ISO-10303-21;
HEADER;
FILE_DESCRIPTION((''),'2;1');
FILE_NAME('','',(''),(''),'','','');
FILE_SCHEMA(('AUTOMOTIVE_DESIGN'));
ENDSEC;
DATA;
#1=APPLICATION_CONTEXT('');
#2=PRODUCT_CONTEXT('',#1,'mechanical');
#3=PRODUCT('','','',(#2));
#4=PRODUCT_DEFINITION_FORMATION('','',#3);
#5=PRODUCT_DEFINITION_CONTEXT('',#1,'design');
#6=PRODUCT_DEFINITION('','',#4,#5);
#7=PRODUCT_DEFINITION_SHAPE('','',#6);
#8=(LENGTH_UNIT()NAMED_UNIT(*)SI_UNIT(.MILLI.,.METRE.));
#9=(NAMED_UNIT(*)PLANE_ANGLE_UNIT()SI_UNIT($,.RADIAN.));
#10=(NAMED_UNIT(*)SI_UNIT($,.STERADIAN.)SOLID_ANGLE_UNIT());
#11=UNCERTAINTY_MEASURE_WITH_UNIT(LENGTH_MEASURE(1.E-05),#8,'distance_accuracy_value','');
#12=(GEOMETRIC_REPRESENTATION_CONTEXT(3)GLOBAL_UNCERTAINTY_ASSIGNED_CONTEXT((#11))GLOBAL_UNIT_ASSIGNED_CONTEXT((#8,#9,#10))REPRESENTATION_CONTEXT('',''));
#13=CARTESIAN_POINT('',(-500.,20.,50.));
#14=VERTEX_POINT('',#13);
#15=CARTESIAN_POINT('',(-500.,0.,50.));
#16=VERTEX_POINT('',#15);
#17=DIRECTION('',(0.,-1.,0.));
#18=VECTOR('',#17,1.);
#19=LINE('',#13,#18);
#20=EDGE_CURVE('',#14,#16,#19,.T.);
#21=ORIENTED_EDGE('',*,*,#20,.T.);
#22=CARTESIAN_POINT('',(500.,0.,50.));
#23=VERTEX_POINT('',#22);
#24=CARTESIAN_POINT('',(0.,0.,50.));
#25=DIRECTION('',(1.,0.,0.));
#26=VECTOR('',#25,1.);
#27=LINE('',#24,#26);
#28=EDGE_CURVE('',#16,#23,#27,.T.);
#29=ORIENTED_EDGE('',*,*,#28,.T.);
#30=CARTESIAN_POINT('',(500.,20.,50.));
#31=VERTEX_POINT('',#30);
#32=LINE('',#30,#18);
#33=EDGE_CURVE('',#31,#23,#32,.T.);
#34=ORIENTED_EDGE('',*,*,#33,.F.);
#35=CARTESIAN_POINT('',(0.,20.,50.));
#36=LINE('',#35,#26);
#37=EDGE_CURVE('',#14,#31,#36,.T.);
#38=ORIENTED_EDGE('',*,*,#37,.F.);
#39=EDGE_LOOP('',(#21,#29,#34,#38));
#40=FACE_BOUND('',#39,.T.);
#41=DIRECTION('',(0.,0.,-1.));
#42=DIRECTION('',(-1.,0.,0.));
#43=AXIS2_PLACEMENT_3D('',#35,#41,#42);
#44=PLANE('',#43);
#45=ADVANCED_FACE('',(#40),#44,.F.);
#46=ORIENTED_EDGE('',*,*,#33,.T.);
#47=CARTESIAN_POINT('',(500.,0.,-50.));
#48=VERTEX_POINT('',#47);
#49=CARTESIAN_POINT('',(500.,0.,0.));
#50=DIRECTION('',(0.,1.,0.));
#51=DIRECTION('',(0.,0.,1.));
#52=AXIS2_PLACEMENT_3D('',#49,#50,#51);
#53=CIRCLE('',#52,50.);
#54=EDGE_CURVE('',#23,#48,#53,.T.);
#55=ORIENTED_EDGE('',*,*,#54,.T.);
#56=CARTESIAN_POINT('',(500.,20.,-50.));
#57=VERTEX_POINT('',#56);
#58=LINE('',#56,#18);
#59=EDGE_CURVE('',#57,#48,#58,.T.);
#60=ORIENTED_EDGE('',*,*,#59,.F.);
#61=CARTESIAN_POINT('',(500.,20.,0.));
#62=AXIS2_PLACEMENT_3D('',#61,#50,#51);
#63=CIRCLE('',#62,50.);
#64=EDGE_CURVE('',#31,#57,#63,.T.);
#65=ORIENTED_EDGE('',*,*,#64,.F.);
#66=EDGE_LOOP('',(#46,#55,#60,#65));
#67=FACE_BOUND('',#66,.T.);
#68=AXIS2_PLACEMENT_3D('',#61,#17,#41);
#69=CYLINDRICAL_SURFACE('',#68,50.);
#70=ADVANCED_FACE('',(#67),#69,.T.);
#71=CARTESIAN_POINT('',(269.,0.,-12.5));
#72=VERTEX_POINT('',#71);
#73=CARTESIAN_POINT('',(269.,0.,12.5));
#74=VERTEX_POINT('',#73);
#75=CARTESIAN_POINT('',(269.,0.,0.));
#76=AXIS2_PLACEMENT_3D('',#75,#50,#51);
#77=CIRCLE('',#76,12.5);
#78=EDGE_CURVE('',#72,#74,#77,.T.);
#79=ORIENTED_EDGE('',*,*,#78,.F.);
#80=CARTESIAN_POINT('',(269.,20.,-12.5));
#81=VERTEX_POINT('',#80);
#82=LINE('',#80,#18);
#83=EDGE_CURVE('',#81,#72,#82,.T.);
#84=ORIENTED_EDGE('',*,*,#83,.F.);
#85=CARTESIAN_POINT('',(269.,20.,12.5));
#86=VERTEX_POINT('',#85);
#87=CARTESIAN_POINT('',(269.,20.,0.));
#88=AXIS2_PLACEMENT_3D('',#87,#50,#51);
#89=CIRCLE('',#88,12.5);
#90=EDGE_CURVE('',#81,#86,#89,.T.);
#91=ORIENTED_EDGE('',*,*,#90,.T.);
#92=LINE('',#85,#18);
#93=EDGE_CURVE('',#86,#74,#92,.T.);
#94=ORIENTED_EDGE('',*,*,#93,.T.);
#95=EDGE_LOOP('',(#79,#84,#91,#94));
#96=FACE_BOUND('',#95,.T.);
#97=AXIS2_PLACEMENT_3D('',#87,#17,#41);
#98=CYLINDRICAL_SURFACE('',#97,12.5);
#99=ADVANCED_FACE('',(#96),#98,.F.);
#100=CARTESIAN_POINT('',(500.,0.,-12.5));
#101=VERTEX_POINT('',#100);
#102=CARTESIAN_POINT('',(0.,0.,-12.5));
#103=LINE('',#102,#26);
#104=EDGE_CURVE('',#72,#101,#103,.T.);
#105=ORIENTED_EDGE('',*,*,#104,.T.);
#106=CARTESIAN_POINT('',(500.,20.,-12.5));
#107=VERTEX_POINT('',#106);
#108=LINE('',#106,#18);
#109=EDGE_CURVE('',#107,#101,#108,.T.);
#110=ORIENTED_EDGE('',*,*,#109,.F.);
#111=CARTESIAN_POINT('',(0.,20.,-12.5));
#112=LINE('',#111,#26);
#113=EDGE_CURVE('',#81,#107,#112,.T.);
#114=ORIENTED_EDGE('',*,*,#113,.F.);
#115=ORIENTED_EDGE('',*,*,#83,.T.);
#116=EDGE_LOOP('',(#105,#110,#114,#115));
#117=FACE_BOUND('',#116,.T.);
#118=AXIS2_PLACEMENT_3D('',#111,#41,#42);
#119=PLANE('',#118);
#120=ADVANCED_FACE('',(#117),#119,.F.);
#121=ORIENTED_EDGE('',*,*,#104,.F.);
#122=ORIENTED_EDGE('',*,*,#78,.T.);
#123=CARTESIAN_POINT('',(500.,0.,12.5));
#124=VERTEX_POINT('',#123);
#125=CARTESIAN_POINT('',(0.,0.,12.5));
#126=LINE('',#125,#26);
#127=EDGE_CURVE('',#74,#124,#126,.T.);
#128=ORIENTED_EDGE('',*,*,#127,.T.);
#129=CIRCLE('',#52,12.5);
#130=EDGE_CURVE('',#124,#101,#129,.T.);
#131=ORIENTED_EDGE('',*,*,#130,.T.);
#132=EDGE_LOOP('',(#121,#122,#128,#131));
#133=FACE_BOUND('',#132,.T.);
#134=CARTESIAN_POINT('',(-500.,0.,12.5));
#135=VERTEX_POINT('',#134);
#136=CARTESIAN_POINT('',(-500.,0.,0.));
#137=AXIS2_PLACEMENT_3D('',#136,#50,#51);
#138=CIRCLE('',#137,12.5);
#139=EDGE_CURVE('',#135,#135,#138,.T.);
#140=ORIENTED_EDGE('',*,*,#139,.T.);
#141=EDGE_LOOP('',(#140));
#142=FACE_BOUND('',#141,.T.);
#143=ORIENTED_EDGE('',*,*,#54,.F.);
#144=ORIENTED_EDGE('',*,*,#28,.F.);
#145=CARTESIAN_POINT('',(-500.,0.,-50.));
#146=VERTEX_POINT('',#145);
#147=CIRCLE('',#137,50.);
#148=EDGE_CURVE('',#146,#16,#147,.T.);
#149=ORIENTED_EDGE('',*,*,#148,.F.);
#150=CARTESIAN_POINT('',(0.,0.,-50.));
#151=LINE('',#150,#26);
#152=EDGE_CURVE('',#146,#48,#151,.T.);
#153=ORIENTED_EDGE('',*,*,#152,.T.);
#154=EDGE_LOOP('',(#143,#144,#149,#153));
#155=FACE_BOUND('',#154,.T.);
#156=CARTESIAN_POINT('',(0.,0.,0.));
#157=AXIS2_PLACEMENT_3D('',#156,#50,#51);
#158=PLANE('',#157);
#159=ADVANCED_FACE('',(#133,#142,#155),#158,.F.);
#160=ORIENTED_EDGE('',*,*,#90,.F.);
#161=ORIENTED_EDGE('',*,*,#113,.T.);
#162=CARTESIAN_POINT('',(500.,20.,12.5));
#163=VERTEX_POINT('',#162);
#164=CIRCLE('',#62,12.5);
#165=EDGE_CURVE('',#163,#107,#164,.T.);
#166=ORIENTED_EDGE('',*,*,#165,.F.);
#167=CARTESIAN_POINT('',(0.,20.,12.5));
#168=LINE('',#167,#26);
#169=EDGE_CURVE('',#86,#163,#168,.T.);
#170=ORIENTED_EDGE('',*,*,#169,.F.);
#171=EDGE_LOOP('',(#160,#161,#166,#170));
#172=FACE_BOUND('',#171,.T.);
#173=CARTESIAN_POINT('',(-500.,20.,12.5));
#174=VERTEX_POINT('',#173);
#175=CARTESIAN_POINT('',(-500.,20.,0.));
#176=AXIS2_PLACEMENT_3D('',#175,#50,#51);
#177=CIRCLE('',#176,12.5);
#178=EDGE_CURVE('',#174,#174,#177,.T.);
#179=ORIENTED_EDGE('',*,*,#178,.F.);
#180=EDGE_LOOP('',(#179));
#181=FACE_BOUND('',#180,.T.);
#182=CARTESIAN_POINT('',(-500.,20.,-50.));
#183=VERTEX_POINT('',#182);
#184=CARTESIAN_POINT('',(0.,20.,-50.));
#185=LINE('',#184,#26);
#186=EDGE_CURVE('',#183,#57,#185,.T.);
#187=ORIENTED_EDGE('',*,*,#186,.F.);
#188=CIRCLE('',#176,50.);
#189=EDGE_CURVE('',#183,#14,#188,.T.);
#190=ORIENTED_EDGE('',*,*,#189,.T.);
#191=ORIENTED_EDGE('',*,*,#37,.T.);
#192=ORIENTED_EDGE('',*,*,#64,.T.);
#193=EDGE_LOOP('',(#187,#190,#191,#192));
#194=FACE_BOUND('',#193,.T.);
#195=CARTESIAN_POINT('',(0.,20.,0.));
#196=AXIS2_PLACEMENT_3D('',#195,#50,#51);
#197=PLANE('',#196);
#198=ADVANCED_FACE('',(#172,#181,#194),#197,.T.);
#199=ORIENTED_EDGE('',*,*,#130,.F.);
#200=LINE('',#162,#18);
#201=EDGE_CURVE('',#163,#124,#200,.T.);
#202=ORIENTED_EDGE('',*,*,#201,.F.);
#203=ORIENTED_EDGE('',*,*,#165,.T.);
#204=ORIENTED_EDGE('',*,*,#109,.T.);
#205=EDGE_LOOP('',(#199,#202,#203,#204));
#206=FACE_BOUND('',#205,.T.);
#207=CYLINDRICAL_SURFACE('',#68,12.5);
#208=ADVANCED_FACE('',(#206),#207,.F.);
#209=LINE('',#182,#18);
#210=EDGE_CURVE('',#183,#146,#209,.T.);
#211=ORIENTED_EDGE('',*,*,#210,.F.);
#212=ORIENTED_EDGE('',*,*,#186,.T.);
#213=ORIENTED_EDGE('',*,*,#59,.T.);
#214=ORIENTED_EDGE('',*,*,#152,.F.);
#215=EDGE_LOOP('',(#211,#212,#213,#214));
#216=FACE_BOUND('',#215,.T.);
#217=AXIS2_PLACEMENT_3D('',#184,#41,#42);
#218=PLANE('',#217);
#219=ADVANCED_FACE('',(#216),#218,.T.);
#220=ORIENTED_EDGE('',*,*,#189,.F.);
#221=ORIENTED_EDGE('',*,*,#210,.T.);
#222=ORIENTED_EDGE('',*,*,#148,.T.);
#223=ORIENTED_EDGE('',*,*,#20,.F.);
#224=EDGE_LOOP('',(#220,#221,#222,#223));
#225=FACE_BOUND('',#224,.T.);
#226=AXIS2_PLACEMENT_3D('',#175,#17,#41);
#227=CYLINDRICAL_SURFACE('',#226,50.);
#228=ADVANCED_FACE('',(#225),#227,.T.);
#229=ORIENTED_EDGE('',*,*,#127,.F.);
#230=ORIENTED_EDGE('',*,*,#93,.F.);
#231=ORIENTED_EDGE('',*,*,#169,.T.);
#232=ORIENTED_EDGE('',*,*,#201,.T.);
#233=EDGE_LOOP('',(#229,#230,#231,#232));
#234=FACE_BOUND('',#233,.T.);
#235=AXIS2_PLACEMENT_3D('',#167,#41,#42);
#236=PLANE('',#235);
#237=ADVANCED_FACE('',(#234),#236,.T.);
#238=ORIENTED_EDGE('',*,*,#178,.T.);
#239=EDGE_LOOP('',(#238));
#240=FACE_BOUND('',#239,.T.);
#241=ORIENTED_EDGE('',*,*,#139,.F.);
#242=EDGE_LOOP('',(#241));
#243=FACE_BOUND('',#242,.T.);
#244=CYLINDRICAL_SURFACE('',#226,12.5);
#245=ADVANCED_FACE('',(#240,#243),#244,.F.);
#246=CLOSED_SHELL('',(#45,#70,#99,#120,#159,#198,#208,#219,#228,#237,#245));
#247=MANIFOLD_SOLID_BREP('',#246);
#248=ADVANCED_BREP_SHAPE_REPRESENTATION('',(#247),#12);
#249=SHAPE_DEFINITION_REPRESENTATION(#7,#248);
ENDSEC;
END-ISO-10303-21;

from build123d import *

# Parameters (mm, degrees)
SKETCH1_R           = 12.5
BOSS_EXTRUDE2_DEPTH = 20


with BuildPart() as part:
    # Sketch1 → Boss-Extrude2 (new body)
    with BuildSketch(Plane(origin=(0, 0, 0), x_dir=(1, 0, 0), z_dir=(0, 1, 0))):
        with BuildLine():
            Line((500, 50), (-500, 50))
            ThreePointArc((-500, 50), (-550, 0), (-500, -50))
            Line((-500, -50), (500, -50))
            ThreePointArc((500, -50), (550, 0), (500, 50))
        make_face()
        with Locations((-500, 0)):
            Circle(SKETCH1_R, mode=Mode.SUBTRACT)
        with BuildLine():
            ThreePointArc((269, -12.5), (256.5, 0), (269, 12.5))
            Line((269, 12.5), (500, 12.5))
            ThreePointArc((500, 12.5), (512.5, 0), (500, -12.5))
            Line((500, -12.5), (269, -12.5))
        make_face(mode=Mode.SUBTRACT)
    extrude(amount=BOSS_EXTRUDE2_DEPTH)


solid = part.part
